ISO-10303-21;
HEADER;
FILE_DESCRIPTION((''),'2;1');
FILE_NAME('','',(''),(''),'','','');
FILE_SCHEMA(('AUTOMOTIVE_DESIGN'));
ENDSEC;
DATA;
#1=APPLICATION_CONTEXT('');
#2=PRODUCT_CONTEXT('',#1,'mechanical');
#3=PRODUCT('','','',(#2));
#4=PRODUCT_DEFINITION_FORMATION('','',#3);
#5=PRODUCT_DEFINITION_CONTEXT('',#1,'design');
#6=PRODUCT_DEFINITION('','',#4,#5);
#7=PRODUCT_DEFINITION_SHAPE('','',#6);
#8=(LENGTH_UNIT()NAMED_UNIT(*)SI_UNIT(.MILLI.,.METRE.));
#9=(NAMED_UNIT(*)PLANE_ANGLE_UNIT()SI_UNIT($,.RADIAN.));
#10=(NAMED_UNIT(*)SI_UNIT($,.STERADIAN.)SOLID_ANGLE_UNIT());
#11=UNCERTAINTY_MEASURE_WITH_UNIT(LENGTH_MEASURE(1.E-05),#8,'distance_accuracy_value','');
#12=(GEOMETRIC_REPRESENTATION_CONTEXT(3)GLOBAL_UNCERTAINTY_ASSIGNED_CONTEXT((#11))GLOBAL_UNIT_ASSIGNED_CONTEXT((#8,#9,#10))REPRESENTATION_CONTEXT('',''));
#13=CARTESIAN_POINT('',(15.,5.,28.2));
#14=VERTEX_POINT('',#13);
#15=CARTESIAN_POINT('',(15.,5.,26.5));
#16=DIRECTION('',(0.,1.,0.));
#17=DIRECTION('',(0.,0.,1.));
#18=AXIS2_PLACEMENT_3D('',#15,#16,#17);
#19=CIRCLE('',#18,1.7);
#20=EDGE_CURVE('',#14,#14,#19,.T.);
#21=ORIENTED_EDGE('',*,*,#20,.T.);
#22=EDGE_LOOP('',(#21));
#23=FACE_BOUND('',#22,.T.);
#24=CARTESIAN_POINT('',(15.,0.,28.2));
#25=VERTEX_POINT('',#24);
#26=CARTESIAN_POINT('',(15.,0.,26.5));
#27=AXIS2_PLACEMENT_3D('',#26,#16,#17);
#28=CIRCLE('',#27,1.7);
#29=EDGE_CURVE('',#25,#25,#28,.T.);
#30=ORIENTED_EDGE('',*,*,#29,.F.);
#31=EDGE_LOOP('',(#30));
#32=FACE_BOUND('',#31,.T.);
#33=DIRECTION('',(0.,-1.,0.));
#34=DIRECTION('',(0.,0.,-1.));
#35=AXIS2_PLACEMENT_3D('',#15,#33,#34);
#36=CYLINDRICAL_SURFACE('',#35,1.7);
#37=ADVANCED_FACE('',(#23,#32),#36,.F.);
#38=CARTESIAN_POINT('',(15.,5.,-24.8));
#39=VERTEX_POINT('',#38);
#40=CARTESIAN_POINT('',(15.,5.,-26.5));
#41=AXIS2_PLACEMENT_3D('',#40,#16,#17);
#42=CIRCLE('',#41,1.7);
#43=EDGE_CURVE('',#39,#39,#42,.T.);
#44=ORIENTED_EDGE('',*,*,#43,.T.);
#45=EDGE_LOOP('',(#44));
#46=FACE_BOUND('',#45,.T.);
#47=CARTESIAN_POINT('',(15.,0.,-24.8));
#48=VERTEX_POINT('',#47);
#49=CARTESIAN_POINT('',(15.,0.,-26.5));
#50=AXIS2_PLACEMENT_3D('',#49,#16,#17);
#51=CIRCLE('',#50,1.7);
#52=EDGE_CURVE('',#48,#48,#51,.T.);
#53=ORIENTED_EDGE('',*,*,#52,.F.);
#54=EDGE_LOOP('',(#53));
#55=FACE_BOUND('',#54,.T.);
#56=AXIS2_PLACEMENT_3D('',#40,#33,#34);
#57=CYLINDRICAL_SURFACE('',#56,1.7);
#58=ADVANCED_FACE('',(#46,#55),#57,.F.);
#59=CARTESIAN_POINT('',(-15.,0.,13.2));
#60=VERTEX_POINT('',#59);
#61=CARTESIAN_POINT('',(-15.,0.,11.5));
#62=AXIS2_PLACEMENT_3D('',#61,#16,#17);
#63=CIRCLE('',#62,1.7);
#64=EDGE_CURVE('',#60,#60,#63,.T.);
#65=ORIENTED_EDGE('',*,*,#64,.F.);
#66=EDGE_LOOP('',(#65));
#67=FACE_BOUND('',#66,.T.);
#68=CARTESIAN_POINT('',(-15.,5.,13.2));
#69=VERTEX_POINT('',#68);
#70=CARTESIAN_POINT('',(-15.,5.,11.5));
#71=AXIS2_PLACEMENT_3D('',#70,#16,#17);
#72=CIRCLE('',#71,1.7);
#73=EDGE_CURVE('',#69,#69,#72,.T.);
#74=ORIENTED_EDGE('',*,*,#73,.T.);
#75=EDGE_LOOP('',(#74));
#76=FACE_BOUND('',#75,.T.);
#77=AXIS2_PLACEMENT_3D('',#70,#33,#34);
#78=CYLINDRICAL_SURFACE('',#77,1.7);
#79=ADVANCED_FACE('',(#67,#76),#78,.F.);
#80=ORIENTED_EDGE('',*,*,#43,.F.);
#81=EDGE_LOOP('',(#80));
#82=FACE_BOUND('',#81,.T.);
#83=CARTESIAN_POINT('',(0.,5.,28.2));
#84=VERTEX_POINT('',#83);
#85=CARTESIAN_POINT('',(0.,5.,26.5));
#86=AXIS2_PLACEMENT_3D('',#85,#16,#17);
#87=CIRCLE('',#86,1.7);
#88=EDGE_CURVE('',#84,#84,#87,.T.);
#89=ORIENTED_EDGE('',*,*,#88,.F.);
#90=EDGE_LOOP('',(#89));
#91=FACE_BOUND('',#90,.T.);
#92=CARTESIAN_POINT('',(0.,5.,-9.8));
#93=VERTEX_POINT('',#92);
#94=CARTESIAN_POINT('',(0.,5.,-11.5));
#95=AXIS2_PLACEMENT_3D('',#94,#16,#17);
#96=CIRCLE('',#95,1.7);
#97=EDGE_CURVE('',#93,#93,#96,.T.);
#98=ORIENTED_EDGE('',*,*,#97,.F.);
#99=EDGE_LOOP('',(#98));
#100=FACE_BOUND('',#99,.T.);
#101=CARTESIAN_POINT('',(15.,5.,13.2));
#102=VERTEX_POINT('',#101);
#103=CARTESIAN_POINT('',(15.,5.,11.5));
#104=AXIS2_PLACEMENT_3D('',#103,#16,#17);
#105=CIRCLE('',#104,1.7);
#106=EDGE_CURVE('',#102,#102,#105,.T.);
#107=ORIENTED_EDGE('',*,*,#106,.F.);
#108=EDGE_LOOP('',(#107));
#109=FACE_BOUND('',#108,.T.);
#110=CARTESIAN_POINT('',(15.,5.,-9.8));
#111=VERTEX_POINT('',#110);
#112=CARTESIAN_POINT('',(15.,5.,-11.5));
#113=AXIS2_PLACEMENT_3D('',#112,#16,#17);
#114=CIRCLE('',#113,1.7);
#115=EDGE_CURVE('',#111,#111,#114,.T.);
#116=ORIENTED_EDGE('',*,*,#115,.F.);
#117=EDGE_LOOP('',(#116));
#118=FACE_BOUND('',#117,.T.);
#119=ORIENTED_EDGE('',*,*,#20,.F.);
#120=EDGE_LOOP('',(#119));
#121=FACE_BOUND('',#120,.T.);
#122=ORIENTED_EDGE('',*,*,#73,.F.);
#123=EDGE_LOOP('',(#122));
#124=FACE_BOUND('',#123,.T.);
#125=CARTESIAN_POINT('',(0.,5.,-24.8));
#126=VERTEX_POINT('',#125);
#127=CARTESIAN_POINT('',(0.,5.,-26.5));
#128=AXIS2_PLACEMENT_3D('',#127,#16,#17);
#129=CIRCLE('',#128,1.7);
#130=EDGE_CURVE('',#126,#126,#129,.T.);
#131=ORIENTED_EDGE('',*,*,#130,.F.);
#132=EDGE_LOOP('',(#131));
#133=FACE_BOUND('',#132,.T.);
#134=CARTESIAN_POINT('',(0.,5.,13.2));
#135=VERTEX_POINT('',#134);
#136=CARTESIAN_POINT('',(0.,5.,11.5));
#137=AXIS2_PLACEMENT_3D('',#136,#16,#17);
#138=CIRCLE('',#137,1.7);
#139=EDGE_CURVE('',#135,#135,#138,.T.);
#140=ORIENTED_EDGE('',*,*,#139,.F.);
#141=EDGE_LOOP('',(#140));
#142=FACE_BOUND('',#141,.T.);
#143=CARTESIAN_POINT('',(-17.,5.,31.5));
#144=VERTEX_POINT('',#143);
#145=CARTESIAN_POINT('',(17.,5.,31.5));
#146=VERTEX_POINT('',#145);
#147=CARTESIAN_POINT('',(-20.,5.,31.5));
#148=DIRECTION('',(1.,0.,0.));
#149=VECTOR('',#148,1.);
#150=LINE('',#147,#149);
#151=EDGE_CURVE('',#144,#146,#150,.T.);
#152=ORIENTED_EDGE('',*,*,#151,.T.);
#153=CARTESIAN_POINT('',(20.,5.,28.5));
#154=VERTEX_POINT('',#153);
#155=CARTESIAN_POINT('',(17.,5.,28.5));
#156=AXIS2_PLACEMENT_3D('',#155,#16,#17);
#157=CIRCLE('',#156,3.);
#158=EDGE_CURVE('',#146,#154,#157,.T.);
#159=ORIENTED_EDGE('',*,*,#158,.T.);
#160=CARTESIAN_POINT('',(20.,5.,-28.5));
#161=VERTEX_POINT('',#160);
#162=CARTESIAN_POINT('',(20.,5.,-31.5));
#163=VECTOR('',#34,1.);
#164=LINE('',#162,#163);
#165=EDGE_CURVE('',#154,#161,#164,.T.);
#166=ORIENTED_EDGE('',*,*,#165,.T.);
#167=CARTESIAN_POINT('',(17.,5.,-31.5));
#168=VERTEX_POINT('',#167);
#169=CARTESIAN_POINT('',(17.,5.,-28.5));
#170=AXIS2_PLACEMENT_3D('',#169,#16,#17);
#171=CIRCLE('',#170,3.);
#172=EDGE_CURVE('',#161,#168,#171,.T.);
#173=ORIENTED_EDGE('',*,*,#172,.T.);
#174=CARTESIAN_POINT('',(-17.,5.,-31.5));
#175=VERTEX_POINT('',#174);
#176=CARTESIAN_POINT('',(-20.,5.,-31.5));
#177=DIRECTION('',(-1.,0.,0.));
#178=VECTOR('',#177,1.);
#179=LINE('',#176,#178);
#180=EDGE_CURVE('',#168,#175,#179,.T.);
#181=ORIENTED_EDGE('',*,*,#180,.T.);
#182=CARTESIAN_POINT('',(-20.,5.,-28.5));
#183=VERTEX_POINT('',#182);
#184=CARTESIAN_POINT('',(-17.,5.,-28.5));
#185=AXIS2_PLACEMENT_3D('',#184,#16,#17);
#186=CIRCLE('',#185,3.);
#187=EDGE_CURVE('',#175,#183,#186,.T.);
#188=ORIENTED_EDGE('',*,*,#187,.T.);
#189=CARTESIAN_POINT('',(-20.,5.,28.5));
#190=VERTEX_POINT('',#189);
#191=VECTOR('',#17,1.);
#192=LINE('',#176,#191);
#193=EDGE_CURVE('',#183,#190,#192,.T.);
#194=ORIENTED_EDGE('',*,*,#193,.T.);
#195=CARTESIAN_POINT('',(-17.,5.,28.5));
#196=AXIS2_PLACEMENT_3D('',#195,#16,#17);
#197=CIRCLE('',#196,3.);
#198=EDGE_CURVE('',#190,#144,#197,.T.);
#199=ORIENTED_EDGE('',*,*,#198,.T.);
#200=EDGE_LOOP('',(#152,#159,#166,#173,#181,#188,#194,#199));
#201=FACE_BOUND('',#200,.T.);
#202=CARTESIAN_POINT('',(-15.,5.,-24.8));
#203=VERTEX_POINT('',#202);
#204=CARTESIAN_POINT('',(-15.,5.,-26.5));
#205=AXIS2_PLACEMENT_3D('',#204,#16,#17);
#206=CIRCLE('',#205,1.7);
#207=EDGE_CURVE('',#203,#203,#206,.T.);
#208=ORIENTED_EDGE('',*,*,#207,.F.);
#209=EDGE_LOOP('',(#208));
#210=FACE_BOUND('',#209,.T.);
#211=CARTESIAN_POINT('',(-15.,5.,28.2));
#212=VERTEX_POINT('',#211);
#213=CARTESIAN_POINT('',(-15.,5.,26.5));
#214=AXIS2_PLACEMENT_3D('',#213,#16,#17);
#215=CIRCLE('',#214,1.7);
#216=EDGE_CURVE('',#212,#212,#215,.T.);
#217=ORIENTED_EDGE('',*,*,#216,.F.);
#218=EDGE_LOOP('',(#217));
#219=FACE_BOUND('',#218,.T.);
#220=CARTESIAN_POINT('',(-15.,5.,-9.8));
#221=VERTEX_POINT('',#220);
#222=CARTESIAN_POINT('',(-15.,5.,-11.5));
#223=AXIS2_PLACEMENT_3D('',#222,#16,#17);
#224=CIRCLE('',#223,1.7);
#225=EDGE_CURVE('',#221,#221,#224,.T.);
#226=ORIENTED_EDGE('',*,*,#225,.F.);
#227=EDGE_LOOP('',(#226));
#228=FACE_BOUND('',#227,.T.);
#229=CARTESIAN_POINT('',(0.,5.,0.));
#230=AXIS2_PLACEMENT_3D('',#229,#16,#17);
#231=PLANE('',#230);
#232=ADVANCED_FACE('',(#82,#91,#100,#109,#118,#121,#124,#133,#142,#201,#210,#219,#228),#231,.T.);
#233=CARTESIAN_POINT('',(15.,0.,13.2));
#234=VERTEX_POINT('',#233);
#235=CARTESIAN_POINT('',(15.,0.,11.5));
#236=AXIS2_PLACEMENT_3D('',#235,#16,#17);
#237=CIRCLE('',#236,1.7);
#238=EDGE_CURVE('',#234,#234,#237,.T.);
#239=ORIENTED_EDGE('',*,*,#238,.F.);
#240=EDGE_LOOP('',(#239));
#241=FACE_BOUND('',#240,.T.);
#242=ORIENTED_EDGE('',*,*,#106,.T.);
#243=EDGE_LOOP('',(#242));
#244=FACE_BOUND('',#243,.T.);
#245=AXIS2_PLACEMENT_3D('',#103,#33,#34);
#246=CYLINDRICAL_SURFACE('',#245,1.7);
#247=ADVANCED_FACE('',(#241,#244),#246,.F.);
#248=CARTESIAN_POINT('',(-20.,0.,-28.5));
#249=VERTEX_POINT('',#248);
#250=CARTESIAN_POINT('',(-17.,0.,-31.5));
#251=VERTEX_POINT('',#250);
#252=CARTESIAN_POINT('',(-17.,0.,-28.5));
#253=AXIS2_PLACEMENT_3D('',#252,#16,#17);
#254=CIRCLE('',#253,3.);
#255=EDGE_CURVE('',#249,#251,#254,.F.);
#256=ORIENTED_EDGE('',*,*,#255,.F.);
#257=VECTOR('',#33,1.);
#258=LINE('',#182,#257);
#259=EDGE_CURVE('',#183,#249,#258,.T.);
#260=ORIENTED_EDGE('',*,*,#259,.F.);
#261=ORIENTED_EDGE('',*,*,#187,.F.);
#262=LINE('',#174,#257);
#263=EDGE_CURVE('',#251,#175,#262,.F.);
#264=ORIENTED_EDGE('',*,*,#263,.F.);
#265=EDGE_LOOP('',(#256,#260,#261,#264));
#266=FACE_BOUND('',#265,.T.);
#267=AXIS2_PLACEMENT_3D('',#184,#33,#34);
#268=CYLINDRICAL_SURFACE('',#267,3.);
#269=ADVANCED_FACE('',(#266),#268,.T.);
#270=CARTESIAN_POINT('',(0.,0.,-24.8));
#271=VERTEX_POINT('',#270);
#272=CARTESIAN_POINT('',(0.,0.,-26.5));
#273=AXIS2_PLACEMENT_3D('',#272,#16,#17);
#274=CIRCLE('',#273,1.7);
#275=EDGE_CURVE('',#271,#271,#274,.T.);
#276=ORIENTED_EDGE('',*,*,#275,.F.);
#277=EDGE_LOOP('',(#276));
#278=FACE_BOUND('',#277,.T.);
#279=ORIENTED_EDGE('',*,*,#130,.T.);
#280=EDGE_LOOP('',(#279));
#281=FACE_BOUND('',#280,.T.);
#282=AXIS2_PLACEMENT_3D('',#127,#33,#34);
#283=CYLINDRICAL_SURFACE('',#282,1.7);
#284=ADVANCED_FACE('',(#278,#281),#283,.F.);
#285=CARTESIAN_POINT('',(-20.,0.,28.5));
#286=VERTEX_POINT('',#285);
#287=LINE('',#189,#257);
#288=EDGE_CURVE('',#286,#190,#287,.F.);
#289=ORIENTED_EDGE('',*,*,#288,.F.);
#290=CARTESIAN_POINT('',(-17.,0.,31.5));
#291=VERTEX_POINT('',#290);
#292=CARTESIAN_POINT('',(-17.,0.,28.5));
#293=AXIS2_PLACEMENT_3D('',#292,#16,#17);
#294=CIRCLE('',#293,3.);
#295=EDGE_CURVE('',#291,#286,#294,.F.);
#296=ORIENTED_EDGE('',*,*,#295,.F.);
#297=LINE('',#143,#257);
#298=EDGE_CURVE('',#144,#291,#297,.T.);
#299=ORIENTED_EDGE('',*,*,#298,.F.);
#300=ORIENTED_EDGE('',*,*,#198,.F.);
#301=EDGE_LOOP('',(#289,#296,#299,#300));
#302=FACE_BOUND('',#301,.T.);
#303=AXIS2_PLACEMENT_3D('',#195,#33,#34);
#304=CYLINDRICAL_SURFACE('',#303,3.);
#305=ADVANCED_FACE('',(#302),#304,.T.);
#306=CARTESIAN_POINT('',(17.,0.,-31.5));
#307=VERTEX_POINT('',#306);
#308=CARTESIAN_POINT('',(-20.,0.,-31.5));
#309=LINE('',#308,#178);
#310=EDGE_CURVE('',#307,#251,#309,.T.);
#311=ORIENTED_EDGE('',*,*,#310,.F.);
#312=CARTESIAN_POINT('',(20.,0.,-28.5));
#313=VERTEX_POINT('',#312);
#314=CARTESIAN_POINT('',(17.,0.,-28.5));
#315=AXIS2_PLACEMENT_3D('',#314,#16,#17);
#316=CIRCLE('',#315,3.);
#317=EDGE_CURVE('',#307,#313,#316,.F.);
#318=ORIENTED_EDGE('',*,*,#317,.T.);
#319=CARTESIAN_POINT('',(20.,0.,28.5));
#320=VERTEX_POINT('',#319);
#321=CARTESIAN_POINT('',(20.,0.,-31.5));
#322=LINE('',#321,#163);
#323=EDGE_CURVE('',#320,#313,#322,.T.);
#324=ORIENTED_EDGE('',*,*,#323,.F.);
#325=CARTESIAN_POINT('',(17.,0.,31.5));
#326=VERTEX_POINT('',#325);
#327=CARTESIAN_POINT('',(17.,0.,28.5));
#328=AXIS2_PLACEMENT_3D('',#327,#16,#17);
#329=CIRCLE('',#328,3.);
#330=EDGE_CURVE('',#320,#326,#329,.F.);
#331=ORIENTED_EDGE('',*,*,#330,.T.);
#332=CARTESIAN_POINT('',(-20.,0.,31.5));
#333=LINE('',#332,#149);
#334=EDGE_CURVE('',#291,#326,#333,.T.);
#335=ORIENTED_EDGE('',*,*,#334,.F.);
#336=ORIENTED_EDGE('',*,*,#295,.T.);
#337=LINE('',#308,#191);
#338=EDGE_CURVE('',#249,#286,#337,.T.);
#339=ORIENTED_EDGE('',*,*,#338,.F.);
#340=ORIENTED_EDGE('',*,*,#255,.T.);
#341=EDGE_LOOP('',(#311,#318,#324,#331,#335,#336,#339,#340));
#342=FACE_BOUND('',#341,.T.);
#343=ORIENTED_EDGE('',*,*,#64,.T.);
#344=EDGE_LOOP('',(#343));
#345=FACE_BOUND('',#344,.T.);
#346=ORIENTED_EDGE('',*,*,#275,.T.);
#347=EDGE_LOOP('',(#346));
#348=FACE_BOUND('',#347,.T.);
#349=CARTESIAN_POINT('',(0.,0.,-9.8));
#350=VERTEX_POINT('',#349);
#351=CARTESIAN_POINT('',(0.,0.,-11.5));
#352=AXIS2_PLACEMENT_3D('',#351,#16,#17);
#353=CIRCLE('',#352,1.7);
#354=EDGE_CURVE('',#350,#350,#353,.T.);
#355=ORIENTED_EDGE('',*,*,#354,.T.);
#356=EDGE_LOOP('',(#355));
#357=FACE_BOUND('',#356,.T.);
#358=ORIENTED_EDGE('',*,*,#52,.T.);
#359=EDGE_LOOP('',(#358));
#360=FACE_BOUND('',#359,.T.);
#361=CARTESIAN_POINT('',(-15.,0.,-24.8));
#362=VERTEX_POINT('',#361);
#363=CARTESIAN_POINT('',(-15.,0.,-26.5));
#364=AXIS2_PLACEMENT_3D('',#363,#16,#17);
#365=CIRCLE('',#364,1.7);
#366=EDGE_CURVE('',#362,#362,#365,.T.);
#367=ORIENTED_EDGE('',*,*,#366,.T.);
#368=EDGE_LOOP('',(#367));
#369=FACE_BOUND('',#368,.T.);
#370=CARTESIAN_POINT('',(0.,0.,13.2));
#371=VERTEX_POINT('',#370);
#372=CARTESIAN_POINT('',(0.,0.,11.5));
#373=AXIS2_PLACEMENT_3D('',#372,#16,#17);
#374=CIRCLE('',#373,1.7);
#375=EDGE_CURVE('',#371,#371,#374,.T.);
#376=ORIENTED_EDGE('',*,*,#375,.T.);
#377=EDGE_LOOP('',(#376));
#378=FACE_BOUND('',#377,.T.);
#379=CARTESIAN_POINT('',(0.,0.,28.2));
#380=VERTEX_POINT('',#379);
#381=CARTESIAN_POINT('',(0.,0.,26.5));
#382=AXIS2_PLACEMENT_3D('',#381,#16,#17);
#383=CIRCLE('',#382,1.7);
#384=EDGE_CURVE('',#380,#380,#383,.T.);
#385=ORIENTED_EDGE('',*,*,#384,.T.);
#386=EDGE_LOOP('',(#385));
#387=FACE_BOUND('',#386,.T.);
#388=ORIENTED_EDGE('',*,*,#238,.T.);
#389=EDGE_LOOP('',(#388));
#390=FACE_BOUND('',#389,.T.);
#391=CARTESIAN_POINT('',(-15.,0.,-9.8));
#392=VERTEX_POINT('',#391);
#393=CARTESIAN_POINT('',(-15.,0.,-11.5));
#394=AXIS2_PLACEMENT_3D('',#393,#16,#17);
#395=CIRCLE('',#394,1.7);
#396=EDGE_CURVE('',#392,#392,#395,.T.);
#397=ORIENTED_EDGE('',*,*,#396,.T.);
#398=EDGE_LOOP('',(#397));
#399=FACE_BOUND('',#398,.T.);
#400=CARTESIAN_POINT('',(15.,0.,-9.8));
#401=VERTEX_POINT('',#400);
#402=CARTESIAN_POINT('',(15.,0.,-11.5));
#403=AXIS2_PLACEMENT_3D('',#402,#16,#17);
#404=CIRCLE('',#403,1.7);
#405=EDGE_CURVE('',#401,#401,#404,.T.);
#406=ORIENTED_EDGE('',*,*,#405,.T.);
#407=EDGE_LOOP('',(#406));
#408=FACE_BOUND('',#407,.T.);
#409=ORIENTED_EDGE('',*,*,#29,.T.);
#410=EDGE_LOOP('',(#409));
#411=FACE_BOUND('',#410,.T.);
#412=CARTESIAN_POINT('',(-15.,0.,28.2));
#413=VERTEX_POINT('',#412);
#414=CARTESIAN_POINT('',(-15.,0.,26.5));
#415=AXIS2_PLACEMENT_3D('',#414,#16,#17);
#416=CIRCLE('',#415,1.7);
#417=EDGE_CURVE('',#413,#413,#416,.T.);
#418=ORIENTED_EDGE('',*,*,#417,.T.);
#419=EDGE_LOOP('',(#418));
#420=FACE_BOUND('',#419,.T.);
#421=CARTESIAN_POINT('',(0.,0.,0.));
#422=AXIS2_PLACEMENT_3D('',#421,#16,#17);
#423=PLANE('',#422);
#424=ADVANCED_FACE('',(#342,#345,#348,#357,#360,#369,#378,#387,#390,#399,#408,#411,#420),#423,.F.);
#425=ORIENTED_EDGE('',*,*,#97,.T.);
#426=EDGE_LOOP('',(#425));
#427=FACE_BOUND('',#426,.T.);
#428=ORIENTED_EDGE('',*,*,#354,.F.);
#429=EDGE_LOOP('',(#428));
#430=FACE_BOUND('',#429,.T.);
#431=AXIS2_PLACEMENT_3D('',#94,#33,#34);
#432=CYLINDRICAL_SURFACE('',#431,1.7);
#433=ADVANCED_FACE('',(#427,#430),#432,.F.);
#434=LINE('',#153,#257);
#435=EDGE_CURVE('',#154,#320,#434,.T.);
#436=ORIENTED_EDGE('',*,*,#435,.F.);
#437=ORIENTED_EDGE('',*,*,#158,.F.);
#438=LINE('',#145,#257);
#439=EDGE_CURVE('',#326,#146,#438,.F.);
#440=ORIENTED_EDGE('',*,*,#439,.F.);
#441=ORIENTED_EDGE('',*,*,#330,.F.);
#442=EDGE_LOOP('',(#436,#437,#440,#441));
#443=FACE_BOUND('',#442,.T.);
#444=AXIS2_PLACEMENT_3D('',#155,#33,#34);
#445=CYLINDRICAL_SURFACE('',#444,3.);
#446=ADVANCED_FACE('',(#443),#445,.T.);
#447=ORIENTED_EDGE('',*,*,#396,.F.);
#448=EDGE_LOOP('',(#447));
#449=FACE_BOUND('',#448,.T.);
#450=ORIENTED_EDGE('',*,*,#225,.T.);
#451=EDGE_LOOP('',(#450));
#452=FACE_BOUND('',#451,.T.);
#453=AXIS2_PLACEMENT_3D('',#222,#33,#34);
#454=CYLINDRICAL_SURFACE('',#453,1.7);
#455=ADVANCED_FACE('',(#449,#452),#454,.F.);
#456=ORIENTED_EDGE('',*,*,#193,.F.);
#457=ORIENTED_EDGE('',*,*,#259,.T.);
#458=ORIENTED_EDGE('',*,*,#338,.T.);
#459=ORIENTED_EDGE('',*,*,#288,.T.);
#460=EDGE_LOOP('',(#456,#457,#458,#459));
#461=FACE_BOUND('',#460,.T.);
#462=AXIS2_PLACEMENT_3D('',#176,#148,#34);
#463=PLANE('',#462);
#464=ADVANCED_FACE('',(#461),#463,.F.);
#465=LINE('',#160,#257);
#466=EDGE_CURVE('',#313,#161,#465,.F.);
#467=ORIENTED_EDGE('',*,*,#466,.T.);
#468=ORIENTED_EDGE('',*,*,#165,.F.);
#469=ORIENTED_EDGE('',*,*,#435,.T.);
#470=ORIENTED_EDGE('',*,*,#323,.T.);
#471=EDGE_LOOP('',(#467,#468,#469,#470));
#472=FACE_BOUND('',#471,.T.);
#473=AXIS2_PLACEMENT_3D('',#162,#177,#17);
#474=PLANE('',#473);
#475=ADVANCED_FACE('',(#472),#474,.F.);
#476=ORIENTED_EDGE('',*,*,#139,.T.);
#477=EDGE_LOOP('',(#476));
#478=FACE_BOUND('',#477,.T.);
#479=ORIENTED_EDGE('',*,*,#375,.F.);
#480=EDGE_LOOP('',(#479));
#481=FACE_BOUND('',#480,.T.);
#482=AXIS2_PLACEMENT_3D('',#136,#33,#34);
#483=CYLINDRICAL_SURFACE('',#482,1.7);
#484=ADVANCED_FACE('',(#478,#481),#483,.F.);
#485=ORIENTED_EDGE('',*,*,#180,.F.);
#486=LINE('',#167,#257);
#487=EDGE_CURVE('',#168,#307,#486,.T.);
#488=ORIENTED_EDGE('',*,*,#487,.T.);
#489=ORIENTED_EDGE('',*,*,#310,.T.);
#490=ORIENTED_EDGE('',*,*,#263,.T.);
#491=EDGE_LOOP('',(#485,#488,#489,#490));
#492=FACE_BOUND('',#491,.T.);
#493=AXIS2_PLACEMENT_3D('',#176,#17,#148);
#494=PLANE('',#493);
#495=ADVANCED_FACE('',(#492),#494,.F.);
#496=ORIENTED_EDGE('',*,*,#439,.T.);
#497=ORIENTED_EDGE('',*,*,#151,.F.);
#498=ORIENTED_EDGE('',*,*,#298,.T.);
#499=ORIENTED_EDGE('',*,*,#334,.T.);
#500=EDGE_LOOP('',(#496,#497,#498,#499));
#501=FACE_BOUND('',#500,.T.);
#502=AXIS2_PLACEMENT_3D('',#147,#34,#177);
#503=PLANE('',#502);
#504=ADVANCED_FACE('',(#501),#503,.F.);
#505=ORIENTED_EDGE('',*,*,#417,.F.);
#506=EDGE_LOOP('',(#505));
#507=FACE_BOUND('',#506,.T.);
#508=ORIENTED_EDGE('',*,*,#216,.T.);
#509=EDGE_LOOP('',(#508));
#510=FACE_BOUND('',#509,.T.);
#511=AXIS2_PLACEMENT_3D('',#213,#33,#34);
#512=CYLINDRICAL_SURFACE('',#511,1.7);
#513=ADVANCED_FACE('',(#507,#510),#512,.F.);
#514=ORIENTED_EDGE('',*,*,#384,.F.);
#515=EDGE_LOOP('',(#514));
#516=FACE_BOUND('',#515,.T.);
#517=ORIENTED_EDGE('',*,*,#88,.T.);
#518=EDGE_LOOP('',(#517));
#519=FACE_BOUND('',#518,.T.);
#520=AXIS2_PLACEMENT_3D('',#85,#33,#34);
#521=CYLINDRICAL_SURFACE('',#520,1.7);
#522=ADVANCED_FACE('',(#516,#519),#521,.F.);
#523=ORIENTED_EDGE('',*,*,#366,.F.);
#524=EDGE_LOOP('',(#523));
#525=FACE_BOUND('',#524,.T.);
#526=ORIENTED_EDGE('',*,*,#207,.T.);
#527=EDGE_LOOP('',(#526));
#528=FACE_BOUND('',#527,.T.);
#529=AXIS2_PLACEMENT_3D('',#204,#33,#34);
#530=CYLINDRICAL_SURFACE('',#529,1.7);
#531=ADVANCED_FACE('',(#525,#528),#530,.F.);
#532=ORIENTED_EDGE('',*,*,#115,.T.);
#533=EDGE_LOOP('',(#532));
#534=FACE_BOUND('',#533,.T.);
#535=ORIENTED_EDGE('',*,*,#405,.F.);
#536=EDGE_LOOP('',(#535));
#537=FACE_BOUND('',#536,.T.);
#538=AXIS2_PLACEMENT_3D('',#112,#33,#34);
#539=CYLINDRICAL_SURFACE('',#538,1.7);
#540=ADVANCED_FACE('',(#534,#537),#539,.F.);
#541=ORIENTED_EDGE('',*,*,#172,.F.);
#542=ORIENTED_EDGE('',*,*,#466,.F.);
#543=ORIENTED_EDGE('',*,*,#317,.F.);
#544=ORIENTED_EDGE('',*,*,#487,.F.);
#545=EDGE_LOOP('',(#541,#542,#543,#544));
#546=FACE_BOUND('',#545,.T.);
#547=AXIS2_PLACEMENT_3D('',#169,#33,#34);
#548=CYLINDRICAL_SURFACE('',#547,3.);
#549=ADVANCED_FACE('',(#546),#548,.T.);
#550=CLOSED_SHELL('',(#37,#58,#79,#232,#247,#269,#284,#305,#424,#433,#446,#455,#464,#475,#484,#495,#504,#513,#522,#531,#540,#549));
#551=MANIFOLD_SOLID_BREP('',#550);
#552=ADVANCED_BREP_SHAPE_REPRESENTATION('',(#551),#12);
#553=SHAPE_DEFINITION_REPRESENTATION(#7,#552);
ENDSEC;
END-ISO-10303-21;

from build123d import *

# Parameters (mm, degrees)
SKETCH_1_W      = 40
SKETCH_1_H      = 63
SKETCH_1_R      = 1.7
EXTRUDE_1_DEPTH = 5
FILLET_1_R      = 3


with BuildPart() as part:
    # ｽｹｯﾁ1 → ﾎﾞｽ - 押し出し1 (new body)
    with BuildSketch(Plane(origin=(0, 0, 0), x_dir=(1, 0, 0), z_dir=(0, 1, 0))):
        Rectangle(SKETCH_1_W, SKETCH_1_H)
        with Locations((-15, 26.5)):
            Circle(SKETCH_1_R, mode=Mode.SUBTRACT)
        with Locations((0, 26.5)):
            Circle(SKETCH_1_R, mode=Mode.SUBTRACT)
        with Locations((15, 26.5)):
            Circle(SKETCH_1_R, mode=Mode.SUBTRACT)
        with Locations((0, 11.5)):
            Circle(SKETCH_1_R, mode=Mode.SUBTRACT)
        with Locations((-15, 11.5)):
            Circle(SKETCH_1_R, mode=Mode.SUBTRACT)
        with Locations((15, 11.5)):
            Circle(SKETCH_1_R, mode=Mode.SUBTRACT)
        with Locations((-15, -11.5)):
            Circle(SKETCH_1_R, mode=Mode.SUBTRACT)
        with Locations((0, -11.5)):
            Circle(SKETCH_1_R, mode=Mode.SUBTRACT)
        with Locations((15, -11.5)):
            Circle(SKETCH_1_R, mode=Mode.SUBTRACT)
        with Locations((-15, -26.5)):
            Circle(SKETCH_1_R, mode=Mode.SUBTRACT)
        with Locations((0, -26.5)):
            Circle(SKETCH_1_R, mode=Mode.SUBTRACT)
        with Locations((15, -26.5)):
            Circle(SKETCH_1_R, mode=Mode.SUBTRACT)
    extrude(amount=EXTRUDE_1_DEPTH)

    # ﾌｨﾚｯﾄ1
    fillet_1_edges = [part.edges().sort_by_distance(p)[0] for p in [
        (20, 2.5, 31.5),
        (-20, 2.5, 31.5),
        (-20, 2.5, -31.5),
        (20, 2.5, -31.5),
    ]]
    fillet(fillet_1_edges, radius=FILLET_1_R)


solid = part.part
